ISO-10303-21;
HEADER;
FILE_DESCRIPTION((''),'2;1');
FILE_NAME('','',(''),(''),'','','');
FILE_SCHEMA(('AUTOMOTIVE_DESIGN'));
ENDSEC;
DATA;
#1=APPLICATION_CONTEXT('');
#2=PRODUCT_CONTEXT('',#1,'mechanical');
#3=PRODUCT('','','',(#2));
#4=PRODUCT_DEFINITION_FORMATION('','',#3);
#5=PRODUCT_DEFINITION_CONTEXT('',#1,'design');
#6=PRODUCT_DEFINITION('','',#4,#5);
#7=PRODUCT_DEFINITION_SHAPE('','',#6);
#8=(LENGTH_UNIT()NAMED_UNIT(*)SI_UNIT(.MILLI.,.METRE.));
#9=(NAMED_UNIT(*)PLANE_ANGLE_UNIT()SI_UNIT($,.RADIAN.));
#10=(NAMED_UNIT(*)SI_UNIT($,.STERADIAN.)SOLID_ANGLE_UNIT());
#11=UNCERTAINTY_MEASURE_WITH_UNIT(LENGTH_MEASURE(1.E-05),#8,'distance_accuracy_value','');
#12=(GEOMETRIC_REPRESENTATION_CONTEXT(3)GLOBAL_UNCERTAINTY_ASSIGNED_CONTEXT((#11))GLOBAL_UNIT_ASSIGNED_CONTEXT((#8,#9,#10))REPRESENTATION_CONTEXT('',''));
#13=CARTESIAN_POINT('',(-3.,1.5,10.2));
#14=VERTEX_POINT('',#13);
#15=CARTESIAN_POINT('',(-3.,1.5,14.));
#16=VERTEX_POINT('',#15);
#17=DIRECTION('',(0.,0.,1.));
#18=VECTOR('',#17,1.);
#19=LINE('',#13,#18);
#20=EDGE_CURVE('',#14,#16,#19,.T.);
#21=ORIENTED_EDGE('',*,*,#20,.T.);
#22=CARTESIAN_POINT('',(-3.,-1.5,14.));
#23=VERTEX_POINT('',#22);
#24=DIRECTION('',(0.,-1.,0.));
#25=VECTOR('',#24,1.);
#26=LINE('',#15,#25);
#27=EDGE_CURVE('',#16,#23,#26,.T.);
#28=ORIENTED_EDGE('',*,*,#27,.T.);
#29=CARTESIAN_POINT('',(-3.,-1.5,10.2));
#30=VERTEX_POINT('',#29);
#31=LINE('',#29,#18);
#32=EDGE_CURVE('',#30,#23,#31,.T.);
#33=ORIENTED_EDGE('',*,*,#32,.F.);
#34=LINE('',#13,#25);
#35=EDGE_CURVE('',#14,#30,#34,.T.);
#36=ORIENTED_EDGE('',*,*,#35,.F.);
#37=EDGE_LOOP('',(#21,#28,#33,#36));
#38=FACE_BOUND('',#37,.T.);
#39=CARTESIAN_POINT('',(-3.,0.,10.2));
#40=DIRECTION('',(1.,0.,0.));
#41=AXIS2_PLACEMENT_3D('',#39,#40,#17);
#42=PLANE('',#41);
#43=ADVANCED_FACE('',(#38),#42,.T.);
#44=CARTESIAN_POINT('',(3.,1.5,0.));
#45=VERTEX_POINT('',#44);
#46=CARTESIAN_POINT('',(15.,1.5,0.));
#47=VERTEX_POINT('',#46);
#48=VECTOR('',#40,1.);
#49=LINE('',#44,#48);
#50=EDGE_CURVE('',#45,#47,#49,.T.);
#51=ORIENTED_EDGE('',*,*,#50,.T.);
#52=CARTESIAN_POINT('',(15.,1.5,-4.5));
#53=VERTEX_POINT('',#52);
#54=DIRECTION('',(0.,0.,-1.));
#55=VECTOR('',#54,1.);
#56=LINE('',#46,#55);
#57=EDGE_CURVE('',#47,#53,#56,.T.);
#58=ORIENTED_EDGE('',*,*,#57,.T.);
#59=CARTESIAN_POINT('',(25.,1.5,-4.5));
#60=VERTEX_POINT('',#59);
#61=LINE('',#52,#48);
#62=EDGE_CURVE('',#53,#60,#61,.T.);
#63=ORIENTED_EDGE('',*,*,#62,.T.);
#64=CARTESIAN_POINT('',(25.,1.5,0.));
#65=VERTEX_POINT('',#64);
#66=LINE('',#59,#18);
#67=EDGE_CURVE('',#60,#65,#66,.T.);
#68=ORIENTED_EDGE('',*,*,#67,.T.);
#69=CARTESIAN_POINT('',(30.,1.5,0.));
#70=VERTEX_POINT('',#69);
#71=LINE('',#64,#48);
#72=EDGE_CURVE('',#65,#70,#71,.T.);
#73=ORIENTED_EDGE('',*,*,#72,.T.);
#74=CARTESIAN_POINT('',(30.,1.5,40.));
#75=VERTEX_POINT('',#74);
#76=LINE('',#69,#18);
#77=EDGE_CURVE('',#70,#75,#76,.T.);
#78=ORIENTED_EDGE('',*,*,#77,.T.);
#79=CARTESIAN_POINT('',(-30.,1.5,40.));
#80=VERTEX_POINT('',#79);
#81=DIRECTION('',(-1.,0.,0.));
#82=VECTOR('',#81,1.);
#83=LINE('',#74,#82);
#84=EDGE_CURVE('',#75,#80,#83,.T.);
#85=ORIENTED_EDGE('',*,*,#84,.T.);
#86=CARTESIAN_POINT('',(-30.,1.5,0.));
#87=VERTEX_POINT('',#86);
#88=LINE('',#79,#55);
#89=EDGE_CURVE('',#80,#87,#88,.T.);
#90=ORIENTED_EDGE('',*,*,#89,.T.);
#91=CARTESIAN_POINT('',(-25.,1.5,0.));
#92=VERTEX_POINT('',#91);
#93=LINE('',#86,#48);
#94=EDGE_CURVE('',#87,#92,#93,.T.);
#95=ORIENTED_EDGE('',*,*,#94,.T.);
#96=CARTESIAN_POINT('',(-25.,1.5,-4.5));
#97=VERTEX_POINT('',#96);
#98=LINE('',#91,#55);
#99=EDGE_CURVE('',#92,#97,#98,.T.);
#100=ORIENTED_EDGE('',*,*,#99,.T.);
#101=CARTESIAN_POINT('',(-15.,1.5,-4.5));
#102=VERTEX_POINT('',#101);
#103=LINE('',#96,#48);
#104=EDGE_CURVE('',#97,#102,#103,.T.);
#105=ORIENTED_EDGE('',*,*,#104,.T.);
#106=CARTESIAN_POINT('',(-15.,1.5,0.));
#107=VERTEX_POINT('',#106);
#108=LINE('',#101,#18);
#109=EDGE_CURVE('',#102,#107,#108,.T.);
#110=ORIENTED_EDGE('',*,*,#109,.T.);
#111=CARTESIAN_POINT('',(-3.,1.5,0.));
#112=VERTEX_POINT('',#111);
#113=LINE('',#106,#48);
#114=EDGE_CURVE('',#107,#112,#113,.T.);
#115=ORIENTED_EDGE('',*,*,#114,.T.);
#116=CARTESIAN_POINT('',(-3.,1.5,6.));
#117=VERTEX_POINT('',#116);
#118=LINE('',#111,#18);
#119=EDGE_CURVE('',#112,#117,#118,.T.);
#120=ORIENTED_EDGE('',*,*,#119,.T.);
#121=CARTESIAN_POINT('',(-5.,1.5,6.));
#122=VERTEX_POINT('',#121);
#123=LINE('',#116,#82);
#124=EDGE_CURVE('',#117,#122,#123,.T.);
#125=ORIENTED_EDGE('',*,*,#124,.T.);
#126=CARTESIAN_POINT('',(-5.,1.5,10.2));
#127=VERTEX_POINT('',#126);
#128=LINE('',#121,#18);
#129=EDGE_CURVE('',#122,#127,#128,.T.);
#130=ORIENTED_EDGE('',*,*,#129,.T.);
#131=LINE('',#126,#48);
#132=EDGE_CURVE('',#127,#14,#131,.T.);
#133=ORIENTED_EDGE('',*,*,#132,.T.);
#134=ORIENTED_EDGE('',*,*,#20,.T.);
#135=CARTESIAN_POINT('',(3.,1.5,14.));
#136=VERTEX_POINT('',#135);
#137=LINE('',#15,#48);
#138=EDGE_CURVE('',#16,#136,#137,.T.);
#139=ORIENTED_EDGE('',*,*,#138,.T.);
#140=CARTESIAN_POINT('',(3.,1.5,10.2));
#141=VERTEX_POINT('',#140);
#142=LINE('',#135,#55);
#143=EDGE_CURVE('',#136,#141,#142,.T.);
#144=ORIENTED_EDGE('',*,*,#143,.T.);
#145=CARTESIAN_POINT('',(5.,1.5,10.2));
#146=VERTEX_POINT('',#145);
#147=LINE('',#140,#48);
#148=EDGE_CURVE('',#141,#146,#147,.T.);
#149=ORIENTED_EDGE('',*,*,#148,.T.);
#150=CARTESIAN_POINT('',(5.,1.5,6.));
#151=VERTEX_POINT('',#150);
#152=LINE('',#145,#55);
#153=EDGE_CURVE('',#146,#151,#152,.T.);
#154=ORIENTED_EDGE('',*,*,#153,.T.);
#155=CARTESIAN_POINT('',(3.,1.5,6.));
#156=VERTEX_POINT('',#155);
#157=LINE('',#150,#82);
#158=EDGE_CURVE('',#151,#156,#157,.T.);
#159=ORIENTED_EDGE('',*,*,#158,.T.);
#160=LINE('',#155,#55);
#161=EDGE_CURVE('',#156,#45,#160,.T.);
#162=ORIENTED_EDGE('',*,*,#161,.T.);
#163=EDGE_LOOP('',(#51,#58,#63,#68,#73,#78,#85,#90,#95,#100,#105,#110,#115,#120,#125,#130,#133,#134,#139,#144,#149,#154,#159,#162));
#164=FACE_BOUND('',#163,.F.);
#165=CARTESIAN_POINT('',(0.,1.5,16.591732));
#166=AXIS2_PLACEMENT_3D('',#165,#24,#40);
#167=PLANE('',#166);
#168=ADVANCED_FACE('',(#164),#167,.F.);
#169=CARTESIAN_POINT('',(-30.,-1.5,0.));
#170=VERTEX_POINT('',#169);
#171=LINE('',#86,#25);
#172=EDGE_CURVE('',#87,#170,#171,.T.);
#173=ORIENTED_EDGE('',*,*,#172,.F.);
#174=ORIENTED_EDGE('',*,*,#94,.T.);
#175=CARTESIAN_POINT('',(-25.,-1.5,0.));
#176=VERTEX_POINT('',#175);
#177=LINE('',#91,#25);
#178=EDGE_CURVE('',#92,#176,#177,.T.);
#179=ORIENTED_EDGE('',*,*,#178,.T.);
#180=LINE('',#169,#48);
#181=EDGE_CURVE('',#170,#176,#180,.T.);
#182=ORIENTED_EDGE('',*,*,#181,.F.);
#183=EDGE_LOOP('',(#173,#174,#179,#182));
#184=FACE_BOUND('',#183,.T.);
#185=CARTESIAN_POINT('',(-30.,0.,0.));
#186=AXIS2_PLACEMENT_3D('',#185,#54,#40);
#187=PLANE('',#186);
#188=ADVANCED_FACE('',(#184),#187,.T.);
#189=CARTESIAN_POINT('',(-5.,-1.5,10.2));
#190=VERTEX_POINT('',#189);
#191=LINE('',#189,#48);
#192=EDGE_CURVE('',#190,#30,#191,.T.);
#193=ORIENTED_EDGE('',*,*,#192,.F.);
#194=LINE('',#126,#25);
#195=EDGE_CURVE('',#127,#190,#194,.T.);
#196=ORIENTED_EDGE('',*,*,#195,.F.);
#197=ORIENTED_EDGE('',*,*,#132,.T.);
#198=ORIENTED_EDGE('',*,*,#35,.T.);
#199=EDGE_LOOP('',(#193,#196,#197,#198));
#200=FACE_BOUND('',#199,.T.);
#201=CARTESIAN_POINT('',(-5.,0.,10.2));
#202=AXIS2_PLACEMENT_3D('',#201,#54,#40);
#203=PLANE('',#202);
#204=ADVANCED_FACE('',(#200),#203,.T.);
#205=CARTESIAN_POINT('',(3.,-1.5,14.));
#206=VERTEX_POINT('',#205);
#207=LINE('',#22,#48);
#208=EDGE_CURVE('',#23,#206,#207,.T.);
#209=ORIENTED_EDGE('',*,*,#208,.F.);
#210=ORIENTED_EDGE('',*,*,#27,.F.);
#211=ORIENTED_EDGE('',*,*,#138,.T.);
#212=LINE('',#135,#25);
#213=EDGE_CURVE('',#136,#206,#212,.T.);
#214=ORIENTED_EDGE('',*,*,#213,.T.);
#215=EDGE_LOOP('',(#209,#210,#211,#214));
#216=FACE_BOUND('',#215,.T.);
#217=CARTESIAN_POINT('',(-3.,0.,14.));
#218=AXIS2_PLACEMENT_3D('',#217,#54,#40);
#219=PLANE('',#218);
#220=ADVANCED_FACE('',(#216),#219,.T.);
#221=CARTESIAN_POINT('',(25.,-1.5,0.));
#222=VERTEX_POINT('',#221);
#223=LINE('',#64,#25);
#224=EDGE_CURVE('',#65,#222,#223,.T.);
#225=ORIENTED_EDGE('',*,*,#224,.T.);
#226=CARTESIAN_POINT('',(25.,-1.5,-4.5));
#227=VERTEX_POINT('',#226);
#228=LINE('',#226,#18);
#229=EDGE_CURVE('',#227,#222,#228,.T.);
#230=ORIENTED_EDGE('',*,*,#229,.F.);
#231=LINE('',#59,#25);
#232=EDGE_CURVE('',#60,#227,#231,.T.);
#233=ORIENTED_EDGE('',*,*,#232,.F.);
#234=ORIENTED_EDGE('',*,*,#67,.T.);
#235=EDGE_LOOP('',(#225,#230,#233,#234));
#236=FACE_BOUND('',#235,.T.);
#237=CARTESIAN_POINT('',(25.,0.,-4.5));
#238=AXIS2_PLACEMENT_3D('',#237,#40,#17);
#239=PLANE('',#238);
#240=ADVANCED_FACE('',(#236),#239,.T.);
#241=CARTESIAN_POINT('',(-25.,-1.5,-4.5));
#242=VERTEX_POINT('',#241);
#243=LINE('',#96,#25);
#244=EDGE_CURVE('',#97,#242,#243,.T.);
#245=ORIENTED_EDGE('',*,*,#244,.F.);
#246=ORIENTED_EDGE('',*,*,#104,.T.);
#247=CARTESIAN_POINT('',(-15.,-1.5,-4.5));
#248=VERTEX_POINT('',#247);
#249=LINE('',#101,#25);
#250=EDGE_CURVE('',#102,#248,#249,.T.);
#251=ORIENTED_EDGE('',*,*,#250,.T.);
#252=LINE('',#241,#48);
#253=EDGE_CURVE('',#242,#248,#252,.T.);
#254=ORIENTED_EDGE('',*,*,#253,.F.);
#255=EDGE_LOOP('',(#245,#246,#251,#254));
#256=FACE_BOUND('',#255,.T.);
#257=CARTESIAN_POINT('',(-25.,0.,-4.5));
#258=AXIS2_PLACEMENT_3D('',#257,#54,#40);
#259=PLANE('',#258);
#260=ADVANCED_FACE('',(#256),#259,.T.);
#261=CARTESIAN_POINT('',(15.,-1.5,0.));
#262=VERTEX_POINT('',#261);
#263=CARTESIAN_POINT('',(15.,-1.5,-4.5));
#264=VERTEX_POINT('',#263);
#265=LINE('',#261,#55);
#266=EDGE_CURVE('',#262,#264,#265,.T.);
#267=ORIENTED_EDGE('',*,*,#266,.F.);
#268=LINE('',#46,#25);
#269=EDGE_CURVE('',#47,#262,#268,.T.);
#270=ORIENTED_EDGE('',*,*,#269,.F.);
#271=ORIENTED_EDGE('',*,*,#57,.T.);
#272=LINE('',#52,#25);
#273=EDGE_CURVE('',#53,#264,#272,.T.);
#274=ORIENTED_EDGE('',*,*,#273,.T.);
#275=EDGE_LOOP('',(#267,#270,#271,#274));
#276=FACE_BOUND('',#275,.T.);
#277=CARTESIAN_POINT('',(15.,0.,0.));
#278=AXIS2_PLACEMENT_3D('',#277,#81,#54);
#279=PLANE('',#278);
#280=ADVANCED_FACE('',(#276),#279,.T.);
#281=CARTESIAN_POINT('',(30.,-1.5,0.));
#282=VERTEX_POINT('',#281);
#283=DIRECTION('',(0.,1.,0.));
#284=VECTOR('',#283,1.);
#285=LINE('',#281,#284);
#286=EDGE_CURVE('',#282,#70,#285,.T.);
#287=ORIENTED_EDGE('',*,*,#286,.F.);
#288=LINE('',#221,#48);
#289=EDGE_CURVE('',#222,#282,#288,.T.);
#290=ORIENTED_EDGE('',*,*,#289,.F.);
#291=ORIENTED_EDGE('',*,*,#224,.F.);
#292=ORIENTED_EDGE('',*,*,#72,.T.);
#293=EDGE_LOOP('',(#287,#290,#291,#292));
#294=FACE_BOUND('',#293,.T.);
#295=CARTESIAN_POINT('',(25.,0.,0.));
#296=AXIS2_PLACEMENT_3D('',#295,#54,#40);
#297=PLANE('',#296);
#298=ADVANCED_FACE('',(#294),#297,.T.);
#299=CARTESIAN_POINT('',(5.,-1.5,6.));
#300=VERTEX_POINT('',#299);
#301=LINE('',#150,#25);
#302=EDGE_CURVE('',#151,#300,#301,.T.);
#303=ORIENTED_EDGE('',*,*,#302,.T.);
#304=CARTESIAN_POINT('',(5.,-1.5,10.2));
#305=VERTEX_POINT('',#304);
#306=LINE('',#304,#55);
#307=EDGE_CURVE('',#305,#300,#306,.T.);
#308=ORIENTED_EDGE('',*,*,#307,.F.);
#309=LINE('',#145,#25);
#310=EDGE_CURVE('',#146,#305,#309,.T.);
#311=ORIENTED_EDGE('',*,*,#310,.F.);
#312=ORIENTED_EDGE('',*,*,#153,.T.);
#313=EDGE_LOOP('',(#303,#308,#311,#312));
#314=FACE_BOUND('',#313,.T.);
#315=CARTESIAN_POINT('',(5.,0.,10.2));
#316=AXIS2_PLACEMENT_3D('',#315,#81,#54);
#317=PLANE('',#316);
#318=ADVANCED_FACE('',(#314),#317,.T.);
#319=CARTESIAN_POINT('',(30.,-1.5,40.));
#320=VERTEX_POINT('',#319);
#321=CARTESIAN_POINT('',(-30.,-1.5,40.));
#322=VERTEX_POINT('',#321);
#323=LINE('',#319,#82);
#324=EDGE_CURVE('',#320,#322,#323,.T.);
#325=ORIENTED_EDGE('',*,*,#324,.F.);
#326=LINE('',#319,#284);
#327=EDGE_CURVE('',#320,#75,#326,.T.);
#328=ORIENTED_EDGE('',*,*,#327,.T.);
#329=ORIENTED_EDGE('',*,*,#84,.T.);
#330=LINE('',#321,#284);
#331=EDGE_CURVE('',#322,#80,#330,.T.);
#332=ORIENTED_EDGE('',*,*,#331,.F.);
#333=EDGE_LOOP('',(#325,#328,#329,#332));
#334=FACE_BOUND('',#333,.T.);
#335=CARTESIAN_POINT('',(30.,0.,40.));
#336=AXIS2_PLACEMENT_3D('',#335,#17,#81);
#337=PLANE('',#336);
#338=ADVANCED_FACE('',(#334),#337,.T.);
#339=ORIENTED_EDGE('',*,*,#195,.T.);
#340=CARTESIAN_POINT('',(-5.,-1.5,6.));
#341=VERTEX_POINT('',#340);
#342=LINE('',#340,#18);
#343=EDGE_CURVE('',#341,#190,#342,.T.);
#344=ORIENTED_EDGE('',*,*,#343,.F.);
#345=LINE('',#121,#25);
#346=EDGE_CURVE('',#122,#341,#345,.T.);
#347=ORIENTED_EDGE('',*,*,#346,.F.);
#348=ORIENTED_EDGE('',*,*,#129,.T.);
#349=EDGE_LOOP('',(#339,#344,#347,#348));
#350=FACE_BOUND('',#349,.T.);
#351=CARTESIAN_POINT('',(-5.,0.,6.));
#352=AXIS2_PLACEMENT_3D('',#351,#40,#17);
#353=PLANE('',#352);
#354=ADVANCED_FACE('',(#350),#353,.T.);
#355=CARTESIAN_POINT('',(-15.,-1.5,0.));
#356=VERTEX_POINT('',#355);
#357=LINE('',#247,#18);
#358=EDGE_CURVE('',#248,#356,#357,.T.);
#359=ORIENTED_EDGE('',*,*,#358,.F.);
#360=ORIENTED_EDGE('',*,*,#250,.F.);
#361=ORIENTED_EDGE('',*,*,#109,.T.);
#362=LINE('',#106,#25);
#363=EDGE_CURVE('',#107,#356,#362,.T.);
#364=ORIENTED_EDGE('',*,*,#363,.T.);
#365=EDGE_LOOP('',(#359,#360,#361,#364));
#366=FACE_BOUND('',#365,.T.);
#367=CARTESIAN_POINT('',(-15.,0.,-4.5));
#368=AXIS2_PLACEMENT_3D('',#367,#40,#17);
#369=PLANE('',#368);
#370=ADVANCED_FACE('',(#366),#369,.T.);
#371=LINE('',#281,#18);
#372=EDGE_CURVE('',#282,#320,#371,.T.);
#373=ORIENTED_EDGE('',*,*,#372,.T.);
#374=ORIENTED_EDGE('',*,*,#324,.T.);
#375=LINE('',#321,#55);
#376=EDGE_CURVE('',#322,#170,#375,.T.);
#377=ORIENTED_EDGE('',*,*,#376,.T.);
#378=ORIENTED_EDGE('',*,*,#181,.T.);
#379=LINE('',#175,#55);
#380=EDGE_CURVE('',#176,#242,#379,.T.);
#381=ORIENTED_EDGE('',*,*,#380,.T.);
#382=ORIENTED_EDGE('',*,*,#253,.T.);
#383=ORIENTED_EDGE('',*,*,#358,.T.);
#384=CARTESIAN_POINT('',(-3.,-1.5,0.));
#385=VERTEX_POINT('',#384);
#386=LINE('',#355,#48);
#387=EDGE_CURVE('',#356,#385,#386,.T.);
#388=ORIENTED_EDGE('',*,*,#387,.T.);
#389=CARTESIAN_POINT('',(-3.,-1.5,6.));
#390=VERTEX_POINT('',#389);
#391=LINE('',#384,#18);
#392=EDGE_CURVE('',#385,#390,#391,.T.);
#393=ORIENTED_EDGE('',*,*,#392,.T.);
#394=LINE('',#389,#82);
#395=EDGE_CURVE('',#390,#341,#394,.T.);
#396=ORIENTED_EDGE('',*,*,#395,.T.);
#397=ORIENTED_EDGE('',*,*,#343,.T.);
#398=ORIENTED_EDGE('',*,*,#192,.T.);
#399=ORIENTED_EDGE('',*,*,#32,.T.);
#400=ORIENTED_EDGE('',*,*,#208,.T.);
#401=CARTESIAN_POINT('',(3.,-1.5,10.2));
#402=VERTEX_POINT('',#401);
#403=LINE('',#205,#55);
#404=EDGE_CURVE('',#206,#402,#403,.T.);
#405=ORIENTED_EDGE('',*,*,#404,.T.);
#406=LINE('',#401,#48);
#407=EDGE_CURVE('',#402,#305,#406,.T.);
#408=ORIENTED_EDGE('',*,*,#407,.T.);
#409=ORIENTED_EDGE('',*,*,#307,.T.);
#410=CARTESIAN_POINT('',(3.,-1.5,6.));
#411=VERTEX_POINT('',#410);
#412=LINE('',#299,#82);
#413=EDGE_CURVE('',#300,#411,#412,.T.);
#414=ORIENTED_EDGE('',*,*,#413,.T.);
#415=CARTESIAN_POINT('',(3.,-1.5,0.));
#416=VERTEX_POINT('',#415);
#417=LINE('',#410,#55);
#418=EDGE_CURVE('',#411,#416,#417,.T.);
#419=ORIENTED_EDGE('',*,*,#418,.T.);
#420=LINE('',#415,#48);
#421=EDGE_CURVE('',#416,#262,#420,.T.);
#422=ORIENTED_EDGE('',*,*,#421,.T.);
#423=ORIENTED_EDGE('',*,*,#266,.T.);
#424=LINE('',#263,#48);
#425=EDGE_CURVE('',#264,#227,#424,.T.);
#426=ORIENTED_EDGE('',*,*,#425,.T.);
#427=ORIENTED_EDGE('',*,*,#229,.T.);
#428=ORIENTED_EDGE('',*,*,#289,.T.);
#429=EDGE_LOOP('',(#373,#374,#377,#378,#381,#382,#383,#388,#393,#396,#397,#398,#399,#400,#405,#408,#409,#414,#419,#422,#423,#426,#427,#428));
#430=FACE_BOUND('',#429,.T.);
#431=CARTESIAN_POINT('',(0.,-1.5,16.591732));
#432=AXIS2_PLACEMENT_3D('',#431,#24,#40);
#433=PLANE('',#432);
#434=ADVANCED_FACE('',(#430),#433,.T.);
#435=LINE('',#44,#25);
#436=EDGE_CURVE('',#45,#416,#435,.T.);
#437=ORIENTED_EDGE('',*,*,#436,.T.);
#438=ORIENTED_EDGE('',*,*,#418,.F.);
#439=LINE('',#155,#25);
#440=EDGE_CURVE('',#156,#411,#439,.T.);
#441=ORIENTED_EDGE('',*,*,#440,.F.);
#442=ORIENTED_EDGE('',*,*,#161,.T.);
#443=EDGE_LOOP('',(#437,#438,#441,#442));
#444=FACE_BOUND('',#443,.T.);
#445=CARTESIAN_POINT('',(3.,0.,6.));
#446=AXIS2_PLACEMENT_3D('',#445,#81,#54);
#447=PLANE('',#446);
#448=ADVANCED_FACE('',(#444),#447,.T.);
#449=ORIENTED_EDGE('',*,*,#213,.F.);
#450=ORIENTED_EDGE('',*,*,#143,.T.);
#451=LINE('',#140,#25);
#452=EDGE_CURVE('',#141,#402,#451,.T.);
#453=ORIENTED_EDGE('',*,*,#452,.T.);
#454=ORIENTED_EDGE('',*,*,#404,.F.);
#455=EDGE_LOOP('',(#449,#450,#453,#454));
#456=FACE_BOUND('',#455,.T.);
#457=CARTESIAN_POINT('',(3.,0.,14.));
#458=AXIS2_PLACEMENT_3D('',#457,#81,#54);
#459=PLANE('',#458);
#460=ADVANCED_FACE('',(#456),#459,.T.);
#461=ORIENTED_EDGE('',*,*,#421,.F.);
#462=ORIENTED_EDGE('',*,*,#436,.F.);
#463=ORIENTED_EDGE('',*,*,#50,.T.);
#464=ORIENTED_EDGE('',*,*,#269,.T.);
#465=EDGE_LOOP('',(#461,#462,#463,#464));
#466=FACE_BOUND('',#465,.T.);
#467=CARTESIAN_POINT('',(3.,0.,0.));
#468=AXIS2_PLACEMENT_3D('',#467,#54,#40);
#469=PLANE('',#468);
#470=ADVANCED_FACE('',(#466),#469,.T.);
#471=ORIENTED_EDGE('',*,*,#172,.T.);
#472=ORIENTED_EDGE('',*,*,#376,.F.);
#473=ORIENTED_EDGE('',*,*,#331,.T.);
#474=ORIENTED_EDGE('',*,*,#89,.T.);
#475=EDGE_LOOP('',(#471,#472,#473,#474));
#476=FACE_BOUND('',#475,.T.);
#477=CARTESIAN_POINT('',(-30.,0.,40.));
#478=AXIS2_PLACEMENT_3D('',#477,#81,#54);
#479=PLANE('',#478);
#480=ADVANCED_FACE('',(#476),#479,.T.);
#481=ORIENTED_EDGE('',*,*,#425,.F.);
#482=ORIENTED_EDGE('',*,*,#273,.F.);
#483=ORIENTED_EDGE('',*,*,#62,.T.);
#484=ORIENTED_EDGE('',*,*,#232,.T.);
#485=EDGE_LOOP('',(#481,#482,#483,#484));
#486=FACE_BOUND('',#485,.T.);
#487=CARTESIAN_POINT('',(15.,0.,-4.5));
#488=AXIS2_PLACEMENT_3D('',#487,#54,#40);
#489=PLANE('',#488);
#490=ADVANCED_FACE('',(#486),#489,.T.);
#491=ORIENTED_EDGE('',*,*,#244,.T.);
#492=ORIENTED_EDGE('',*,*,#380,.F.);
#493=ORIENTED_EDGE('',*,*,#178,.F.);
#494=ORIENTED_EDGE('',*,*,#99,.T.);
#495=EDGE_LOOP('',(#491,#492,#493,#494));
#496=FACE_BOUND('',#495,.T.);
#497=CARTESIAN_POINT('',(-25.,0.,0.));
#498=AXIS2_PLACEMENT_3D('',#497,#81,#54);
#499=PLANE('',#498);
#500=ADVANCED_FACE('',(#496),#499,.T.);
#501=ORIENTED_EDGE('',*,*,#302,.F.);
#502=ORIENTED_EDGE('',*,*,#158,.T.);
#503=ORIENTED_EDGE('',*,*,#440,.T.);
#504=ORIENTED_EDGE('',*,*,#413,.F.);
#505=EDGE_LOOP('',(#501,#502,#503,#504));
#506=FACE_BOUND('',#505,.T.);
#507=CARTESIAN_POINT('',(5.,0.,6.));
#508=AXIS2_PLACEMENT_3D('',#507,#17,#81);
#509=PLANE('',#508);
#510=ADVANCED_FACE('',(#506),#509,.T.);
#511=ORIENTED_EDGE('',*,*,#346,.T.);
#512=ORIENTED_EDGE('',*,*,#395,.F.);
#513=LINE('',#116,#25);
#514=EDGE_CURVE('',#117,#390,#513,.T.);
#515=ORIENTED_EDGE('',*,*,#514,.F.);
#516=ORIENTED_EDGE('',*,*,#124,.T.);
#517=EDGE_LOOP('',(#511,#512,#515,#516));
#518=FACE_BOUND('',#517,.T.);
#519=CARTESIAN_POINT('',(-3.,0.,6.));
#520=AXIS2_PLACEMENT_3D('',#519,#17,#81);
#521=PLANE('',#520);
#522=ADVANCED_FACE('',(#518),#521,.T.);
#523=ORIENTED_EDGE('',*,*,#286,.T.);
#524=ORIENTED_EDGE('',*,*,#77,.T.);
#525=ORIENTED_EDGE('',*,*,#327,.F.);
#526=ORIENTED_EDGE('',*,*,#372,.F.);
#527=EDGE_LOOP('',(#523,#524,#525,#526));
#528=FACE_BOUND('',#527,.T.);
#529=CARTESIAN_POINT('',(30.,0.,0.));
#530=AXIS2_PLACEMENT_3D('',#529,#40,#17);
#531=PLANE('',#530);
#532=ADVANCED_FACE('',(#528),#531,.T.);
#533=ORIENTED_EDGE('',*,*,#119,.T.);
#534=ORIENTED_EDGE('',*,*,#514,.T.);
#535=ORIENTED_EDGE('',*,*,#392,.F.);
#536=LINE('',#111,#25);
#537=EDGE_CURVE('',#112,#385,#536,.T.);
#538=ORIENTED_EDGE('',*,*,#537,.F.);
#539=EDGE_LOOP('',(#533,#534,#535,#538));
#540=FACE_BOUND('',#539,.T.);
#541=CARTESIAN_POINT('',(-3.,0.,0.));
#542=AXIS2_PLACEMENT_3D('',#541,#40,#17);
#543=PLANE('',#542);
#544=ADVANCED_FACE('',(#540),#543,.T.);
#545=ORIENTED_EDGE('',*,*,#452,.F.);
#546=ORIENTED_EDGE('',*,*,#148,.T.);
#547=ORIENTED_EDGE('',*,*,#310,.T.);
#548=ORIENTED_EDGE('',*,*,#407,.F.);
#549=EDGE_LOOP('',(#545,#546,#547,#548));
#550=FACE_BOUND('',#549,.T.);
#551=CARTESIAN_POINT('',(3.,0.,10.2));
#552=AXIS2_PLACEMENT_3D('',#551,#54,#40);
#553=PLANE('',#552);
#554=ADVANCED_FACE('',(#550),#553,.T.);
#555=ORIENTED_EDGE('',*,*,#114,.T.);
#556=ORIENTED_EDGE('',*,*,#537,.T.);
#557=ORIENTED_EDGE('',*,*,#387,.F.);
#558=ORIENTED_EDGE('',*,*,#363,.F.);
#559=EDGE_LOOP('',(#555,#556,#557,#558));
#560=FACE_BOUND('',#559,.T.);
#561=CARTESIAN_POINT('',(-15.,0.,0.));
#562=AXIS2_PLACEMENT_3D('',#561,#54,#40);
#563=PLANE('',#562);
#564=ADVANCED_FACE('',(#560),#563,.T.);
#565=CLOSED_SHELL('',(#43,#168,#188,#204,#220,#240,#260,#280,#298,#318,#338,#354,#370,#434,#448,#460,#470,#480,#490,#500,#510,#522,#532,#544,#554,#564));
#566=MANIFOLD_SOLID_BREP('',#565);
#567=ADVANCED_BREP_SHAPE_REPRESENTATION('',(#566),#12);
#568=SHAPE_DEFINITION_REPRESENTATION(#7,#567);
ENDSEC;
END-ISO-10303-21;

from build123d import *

# Parameters (mm, degrees)
F1_DEPTH = 1.5


with BuildPart() as f1:
    # F0 (on Front) → F1 (new body, symmetric)
    with BuildSketch(Plane.XZ):
        Polygon((-30, 40), (-30, 0), (-25, 0), (-25, -4.5), (-15, -4.5), (-15, 0), (-3, 0), (-3, 6), (-5, 6), (-5, 10.2), (-3, 10.2), (-3, 14), (3, 14), (3, 10.2), (5, 10.2), (5, 6), (3, 6), (3, 0), (15, 0), (15, -4.5), (25, -4.5), (25, 0), (30, 0), (30, 40), align=None)
    extrude(amount=F1_DEPTH, both=True)


solid = f1.part
